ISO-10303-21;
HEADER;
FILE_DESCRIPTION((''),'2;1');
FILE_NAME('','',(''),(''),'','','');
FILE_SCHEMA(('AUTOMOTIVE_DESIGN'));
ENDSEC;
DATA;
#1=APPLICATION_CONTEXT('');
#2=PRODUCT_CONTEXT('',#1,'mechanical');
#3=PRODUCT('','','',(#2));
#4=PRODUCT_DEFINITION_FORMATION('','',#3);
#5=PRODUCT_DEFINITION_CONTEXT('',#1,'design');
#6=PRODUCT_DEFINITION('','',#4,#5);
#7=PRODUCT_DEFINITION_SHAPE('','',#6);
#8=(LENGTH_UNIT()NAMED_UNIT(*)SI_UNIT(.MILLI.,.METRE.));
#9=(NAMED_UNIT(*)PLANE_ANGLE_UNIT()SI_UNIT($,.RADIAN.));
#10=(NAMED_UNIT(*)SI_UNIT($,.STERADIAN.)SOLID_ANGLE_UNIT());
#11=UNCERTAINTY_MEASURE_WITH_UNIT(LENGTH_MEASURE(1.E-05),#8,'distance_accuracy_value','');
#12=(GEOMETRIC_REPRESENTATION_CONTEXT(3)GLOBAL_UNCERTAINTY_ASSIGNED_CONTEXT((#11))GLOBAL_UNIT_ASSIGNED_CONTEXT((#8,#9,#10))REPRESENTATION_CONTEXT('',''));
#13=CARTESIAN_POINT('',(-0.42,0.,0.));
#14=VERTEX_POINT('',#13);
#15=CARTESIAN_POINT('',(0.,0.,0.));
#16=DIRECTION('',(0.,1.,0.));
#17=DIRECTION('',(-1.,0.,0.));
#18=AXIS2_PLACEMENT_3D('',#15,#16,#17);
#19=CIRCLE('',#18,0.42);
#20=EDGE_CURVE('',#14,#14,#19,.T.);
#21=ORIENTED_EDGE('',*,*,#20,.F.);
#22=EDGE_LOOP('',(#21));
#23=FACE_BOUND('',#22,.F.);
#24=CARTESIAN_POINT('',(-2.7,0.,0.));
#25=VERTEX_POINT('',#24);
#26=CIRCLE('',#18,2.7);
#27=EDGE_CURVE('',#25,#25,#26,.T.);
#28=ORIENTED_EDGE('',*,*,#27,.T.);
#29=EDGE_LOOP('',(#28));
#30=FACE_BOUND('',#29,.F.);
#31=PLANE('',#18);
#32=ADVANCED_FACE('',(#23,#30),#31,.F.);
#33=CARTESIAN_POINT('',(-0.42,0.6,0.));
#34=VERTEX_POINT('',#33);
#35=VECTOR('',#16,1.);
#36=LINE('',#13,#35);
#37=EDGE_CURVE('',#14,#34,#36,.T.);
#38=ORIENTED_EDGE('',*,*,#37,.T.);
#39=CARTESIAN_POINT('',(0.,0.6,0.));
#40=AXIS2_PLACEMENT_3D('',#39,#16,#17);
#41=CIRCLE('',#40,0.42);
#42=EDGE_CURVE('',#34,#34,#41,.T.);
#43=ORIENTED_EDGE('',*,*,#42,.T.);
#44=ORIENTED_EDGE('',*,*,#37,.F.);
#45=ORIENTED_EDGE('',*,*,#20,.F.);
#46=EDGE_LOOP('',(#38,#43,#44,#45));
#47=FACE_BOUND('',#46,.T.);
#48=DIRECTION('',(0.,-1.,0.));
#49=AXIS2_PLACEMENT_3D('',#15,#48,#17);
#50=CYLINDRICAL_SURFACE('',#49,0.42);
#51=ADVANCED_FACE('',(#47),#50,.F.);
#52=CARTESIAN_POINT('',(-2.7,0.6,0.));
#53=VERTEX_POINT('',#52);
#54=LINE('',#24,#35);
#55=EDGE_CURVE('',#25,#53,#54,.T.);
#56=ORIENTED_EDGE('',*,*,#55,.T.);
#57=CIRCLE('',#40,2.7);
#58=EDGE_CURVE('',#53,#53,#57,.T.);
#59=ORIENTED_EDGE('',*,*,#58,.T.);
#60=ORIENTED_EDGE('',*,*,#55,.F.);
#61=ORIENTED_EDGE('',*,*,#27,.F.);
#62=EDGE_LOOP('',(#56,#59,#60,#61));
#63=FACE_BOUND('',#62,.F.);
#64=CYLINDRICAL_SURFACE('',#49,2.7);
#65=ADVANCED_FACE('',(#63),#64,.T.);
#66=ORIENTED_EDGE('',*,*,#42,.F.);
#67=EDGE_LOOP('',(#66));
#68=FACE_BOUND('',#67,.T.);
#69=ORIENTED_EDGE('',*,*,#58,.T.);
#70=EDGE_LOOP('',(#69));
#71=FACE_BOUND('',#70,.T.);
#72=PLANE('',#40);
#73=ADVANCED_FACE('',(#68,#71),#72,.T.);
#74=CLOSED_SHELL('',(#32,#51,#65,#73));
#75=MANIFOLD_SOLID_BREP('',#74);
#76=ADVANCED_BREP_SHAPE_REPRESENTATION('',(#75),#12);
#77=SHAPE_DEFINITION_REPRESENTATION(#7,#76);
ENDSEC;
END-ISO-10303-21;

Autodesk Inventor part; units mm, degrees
ref_plane "YZ Plane" through (0, 0, 0) normal (1, 0, 0) x (0, 1, 0)
ref_plane "XZ Plane" through (0, 0, 0) normal (0, 1, 0) x (-1, 0, 0)
ref_plane "XY Plane" through (0, 0, 0) normal (0, 0, 1) x (1, 0, 0)
sketch "Boceto1" plane through (0, 0, 0) normal (0, 1, 0) x (-1, 0, 0)
  circle A0 centre (0, 0) radius 2.7
  circle A1 centre (0, 0) radius 0.42
  dimension "d0" = 5.4
  dimension "d1" = 0.84
extrude "Extrusión1" add sketch "Boceto1" along normal blind 0.6
